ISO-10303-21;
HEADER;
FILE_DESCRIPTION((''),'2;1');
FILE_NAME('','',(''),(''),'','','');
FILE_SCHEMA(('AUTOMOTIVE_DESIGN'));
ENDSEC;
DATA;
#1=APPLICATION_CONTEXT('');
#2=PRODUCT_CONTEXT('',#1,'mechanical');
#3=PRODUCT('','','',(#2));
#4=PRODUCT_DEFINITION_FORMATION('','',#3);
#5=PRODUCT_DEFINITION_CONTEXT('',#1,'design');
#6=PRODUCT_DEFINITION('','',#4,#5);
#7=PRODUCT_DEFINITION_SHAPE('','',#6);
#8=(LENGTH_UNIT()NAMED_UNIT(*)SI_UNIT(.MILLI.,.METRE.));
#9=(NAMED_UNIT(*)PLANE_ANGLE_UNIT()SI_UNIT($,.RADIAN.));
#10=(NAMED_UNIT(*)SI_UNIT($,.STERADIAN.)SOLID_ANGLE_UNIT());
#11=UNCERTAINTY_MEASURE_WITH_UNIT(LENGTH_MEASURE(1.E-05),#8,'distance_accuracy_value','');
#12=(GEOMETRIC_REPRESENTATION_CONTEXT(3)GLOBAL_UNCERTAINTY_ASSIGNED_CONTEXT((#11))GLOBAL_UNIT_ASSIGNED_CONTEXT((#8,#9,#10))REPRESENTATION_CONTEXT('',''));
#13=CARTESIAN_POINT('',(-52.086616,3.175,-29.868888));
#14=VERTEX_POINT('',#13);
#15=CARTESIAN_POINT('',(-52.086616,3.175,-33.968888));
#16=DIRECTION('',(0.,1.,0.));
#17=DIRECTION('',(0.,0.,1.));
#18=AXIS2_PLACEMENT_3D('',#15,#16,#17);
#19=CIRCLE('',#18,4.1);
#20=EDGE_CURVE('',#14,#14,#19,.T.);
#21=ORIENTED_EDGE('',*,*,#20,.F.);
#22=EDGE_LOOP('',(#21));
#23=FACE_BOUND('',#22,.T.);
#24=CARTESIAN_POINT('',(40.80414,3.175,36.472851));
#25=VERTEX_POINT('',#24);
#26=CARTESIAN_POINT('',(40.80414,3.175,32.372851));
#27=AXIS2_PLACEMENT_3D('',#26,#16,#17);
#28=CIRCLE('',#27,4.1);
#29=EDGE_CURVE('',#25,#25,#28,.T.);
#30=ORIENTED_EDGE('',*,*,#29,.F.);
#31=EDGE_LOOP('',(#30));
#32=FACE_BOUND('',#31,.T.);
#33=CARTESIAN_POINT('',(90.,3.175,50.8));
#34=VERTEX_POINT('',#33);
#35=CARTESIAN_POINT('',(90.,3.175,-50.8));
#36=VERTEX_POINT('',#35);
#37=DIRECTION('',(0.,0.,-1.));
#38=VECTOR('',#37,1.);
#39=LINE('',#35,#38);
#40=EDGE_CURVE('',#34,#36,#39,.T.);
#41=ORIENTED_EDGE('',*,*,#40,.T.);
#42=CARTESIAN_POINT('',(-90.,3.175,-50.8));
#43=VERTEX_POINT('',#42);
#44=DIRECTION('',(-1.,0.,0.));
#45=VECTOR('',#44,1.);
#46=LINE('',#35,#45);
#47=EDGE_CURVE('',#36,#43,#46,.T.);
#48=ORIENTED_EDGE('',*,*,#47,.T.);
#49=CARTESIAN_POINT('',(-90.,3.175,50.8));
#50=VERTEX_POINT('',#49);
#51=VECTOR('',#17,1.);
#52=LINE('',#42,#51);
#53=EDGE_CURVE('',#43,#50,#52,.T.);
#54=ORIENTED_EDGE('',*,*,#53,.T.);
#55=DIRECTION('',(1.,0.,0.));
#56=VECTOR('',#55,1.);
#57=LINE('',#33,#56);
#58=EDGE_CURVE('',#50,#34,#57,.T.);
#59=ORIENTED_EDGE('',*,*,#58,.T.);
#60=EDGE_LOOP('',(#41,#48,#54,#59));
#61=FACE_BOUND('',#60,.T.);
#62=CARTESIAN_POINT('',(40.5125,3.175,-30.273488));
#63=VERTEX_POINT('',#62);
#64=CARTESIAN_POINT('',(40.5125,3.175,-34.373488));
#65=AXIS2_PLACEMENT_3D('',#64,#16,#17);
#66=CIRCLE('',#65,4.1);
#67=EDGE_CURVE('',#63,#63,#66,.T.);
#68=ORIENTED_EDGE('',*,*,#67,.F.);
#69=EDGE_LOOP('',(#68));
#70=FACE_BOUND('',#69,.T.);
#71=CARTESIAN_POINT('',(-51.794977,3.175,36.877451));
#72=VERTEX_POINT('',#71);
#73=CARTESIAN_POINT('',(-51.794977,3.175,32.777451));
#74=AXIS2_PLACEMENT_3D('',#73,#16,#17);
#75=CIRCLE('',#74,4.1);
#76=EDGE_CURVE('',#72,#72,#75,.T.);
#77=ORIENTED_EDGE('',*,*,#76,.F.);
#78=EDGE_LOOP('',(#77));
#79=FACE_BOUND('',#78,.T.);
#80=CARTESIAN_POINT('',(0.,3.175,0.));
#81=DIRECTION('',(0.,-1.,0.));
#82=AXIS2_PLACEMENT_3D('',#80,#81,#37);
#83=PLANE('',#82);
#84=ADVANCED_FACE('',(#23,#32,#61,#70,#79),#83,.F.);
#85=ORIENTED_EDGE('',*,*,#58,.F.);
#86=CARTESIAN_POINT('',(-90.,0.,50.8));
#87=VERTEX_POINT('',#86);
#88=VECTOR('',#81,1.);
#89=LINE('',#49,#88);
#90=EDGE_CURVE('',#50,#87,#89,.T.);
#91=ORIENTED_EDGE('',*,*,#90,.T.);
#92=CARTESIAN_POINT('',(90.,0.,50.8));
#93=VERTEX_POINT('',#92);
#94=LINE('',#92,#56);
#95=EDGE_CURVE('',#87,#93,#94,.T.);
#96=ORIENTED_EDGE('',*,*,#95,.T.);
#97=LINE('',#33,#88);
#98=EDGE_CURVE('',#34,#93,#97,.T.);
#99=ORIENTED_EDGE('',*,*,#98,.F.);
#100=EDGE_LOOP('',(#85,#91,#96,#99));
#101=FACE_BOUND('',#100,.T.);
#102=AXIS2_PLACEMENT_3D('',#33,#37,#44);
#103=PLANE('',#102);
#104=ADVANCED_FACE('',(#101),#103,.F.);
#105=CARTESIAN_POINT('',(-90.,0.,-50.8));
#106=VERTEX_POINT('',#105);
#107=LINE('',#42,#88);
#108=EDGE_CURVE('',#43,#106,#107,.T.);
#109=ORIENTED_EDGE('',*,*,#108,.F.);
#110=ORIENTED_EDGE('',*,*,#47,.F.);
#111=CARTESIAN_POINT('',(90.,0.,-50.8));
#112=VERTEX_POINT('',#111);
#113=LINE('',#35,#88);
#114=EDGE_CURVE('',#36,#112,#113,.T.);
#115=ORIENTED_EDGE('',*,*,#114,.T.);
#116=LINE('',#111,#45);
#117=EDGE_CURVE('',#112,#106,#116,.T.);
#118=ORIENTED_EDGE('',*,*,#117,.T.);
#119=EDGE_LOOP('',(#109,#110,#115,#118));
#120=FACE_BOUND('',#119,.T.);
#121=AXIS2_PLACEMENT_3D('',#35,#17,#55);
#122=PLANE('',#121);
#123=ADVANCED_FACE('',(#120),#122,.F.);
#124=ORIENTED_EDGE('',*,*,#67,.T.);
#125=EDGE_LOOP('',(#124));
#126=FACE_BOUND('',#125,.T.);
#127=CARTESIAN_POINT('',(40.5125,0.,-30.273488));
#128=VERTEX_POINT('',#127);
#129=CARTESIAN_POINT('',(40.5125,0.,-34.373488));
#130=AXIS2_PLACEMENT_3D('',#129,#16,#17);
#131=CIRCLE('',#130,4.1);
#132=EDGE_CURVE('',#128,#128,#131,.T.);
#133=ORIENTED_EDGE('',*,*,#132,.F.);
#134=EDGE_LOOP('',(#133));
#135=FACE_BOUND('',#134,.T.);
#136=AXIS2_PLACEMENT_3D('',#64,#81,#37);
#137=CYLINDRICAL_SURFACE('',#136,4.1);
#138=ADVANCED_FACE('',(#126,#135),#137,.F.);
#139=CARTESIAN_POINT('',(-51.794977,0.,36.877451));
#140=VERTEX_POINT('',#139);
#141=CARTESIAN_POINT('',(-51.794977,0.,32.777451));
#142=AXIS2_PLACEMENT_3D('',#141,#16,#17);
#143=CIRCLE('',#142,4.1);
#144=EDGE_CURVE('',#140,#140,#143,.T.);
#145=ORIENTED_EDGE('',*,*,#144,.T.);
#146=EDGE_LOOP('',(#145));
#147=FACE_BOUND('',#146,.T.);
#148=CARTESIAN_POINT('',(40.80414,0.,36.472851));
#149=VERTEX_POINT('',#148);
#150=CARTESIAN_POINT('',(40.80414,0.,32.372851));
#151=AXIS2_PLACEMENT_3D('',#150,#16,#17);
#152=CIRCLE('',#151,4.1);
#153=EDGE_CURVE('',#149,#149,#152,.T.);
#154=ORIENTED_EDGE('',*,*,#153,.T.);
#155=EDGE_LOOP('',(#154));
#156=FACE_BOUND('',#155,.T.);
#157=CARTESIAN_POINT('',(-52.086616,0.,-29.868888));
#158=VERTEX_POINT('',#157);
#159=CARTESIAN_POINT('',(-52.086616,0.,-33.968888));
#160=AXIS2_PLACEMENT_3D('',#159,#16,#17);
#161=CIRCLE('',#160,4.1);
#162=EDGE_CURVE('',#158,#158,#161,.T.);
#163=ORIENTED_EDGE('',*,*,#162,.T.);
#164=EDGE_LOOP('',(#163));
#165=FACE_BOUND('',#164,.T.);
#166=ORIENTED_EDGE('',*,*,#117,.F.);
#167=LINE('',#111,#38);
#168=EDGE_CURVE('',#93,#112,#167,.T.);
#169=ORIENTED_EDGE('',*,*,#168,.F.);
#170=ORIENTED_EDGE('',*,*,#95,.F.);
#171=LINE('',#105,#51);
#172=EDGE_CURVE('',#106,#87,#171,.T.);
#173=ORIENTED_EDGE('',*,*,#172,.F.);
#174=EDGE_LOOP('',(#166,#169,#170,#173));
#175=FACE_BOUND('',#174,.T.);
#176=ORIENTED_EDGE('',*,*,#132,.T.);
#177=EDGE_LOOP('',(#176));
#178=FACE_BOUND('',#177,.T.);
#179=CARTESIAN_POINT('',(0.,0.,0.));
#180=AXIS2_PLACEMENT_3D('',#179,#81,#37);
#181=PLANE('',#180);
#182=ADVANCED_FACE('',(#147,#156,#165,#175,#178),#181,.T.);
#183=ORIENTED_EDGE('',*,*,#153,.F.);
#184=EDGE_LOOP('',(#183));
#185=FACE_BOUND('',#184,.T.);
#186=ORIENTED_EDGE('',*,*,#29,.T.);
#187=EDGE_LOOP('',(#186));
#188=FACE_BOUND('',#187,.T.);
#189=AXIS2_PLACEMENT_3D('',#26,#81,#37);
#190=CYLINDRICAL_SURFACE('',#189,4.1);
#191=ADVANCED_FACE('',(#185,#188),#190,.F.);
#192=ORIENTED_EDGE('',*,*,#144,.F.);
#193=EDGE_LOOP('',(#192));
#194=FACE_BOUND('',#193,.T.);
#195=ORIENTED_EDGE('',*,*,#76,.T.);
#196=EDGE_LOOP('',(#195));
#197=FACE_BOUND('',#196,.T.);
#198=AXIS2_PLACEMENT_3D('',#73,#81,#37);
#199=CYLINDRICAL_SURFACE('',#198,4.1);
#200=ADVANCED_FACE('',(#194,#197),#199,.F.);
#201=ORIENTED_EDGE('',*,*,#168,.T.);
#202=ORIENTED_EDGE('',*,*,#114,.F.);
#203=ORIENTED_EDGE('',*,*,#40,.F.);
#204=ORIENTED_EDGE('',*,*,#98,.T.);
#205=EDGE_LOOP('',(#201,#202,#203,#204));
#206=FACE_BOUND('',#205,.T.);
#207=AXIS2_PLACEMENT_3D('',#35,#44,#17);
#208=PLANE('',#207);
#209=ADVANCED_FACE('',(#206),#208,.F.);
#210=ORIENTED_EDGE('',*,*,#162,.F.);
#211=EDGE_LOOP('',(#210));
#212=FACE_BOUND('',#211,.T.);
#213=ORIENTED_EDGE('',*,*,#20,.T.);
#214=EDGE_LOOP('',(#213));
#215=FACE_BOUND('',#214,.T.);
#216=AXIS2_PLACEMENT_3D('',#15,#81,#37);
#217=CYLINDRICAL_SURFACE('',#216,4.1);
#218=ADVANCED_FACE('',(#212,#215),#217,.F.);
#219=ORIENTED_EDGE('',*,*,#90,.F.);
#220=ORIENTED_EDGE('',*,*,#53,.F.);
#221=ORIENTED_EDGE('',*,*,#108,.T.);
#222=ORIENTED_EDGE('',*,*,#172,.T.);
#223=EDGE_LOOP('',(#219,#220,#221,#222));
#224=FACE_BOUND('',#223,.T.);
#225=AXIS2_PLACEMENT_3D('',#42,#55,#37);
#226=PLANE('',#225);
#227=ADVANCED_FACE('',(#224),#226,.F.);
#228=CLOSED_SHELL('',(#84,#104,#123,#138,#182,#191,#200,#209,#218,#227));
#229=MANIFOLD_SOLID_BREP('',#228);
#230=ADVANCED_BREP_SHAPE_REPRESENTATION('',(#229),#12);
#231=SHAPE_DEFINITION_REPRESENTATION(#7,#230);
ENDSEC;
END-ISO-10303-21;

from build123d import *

# Parameters (mm, degrees)
SKETCH1_W           = 180
SKETCH1_H           = 101.6
SKETCH1_R           = 4.1
BOSS_EXTRUDE1_DEPTH = 3.175


with BuildPart() as part:
    # Sketch1 → Boss-Extrude1 (new body)
    with BuildSketch(Plane(origin=(0, 0, 0), x_dir=(1, 0, 0), z_dir=(0, 1, 0))):
        Rectangle(SKETCH1_W, SKETCH1_H)
        with Locations(Location((-52.086616081, 33.968888188, 0), (0, 0, 270))):
            Circle(SKETCH1_R, mode=Mode.SUBTRACT)
        with Locations(Location((40.5125, 34.373488098, 0), (0, 0, 270))):
            Circle(SKETCH1_R, mode=Mode.SUBTRACT)
        with Locations(Location((40.804139531, -32.37285096, 0), (0, 0, 270))):
            Circle(SKETCH1_R, mode=Mode.SUBTRACT)
        with Locations(Location((-51.79497655, -32.777450869, 0), (0, 0, 270))):
            Circle(SKETCH1_R, mode=Mode.SUBTRACT)
    extrude(amount=BOSS_EXTRUDE1_DEPTH)


solid = part.part
